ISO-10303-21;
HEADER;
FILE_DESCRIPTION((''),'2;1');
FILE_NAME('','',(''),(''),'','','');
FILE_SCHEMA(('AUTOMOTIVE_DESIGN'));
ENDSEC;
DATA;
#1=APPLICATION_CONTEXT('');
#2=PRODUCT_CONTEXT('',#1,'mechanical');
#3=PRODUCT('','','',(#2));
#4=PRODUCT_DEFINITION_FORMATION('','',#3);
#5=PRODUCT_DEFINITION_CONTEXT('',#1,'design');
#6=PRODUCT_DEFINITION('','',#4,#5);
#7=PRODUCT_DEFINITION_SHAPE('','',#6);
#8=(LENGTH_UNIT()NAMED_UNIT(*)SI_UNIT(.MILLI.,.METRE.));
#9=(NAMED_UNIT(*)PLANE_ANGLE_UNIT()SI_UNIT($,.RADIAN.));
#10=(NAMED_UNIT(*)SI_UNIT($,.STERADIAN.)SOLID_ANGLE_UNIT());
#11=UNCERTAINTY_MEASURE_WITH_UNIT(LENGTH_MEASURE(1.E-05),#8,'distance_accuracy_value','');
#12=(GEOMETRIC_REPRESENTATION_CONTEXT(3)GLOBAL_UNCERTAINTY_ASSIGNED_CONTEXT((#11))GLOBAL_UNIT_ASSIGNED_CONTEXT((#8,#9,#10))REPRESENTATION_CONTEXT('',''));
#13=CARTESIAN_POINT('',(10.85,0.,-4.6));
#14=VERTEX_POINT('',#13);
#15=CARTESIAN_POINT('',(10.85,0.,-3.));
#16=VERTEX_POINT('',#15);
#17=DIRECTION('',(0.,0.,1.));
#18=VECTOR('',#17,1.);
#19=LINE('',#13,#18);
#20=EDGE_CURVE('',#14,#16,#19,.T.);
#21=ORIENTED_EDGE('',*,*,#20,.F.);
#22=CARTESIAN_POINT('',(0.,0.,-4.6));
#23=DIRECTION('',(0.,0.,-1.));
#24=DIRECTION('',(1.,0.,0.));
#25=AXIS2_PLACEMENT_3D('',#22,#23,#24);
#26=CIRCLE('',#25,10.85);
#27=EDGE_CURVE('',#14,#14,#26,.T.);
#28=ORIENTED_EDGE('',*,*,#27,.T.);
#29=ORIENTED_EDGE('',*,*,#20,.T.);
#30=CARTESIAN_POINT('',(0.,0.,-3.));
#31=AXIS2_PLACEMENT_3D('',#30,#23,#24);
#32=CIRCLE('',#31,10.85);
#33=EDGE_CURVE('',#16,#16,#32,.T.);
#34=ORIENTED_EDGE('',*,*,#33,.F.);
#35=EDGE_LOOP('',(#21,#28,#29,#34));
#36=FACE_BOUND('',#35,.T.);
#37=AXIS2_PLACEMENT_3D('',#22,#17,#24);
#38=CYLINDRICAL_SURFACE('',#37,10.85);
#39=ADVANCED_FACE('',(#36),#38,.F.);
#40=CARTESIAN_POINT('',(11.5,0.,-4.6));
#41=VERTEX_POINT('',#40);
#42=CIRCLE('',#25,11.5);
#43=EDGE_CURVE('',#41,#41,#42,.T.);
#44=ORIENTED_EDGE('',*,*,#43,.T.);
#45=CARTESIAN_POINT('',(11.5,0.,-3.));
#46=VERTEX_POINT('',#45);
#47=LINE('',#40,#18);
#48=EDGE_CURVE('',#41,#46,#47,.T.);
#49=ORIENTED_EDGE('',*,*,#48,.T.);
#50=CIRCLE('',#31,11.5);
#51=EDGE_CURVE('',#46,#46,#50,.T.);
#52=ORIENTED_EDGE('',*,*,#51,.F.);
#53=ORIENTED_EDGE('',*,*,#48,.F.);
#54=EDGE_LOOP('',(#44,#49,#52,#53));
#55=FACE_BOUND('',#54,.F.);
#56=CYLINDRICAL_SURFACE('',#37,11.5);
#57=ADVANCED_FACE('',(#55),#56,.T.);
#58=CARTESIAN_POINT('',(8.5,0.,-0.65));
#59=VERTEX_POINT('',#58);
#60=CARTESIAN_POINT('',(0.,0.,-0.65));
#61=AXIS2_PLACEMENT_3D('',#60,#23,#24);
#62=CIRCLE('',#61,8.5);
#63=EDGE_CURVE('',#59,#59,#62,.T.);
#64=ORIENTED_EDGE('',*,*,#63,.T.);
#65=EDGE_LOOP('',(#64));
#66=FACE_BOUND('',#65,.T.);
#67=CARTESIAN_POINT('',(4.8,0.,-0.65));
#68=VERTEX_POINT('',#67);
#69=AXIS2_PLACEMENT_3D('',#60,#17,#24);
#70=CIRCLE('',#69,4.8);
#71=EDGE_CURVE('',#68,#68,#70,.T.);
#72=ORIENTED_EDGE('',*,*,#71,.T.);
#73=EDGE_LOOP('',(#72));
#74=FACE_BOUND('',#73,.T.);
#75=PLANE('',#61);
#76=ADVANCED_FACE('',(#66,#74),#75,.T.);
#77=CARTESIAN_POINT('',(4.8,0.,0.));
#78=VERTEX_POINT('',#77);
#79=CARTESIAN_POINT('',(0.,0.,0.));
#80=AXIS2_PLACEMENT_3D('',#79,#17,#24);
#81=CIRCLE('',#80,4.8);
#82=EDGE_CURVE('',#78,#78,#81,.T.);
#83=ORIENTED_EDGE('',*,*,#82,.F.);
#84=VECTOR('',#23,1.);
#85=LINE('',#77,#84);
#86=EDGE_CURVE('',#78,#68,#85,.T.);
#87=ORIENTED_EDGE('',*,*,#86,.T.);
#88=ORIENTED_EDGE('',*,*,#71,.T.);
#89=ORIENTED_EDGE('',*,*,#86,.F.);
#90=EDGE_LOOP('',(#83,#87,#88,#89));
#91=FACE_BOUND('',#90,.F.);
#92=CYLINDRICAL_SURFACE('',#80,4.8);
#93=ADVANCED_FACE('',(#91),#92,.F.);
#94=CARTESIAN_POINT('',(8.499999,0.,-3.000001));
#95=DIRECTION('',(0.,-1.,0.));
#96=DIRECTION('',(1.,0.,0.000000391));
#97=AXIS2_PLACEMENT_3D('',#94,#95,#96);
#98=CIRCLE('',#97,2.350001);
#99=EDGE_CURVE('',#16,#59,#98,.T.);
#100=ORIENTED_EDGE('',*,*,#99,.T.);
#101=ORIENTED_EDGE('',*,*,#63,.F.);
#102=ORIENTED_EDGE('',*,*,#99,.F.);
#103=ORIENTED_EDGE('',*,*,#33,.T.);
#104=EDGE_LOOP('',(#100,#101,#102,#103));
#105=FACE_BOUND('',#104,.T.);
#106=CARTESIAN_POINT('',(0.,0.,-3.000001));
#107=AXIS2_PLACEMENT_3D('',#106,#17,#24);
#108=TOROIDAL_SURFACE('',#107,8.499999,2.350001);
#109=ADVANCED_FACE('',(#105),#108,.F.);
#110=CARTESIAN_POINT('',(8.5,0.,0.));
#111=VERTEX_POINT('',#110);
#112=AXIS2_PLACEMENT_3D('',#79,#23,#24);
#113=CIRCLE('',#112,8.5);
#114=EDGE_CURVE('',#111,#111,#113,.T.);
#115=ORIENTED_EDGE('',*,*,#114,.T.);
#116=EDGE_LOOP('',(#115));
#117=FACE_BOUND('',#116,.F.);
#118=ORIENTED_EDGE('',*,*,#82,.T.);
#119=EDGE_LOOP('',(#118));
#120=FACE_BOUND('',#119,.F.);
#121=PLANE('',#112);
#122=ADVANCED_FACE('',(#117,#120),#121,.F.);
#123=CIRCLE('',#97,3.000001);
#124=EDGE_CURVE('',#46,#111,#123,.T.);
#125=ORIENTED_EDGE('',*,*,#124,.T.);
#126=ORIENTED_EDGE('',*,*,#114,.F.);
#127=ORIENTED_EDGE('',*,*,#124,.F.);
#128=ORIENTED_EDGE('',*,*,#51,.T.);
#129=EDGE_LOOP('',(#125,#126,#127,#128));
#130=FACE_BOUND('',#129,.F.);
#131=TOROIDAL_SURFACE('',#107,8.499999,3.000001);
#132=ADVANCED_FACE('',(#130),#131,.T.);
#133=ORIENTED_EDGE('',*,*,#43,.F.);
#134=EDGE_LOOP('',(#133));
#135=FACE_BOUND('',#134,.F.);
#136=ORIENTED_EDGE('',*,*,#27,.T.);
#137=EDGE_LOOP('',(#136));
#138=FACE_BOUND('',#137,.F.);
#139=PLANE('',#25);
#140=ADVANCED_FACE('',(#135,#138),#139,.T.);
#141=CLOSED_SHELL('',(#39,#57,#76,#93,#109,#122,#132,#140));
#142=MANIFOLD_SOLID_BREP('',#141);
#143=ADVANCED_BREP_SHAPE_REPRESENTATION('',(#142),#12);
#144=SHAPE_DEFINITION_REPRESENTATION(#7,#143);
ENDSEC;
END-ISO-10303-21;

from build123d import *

# Parameters (mm, degrees)
F2_T     = -0.65
F3_R     = 4.8
F4_DEPTH = 4.601


with BuildPart() as f1:
    # F0 (on Front) → F1 (revolve)
    with BuildSketch(Plane.XZ):
        with BuildLine():
            Line((8.5, 0), (0, 0))
            Line((0, 0), (0, -4.6))
            Line((0, -4.6), (11.5, -4.6))
            Line((11.5, -4.6), (11.5, -3))
            ThreePointArc((11.5, -3), (10.62132, -0.87868), (8.5, 0))
        make_face()
    revolve(axis=Axis((0, 0, -2.3), (0, 0, -1)))

    # F2
    f2_openings = [f1.faces().sort_by_distance(p)[0] for p in [
        (0, 0, -4.6),
    ]]
    offset(amount=F2_T, openings=f2_openings)

    # F3 (on face) → F4 (cut, through all)
    with BuildSketch(Plane.XY):
        Circle(F3_R)
    extrude(amount=-F4_DEPTH, mode=Mode.SUBTRACT)


solid = f1.part
